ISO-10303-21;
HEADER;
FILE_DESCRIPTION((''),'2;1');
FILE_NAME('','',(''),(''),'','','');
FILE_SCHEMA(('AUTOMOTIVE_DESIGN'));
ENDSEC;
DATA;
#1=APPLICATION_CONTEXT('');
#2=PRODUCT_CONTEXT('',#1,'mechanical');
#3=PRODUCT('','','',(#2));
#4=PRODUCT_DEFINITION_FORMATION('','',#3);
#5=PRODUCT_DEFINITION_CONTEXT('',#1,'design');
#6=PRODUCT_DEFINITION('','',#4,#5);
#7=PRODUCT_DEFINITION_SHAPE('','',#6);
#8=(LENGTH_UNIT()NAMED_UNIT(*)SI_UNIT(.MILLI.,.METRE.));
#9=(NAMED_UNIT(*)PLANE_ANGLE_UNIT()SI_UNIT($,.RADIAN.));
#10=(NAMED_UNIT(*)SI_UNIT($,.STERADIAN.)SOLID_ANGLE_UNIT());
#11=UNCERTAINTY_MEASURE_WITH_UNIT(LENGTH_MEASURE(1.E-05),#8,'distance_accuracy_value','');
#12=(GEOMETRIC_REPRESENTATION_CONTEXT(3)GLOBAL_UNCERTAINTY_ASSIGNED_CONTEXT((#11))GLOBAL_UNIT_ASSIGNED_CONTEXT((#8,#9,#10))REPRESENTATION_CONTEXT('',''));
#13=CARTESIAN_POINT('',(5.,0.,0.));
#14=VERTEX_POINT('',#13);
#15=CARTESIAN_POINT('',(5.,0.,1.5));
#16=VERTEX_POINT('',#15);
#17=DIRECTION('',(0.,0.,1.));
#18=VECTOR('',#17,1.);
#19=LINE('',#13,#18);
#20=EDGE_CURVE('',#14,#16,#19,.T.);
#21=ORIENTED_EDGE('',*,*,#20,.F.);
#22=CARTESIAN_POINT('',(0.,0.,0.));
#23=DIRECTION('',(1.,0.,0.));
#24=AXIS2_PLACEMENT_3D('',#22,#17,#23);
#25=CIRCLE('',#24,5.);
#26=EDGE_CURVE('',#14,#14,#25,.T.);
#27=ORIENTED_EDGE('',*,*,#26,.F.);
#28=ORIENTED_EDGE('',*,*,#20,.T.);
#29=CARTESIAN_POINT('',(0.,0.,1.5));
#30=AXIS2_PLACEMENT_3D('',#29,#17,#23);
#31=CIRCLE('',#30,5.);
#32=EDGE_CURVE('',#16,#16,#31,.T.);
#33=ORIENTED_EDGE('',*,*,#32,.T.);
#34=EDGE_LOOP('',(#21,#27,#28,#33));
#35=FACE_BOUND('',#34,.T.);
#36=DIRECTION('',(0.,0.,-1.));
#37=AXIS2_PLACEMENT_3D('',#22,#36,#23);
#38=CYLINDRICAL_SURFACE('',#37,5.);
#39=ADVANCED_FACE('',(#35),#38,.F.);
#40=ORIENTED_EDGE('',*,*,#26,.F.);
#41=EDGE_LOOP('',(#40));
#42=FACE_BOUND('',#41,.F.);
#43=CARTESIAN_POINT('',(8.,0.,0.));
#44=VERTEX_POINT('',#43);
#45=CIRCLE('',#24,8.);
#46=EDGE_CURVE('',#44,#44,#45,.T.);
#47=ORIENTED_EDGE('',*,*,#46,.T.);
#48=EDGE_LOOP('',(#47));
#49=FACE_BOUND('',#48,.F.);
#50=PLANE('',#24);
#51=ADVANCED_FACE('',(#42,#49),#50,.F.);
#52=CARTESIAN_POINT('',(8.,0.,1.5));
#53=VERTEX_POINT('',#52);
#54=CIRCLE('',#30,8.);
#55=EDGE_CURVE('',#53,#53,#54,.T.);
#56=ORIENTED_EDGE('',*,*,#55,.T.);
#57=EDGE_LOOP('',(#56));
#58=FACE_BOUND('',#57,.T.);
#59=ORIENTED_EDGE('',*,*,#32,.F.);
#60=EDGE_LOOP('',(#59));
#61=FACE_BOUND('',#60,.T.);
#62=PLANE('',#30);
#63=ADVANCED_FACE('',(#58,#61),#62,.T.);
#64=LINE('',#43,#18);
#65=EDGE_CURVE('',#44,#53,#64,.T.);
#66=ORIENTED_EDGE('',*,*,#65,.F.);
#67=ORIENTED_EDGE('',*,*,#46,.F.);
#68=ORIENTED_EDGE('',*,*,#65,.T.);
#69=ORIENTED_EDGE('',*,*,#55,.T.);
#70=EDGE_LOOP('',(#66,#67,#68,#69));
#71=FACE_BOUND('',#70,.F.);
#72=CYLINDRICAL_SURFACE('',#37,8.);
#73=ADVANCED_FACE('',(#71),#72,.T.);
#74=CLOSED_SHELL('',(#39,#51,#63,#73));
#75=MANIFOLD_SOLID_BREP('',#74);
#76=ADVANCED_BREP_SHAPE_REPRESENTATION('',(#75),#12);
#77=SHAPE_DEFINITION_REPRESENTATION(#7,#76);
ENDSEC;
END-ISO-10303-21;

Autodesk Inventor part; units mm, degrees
ref_plane "YZ Plane" through (0, 0, 0) normal (1, 0, 0) x (0, 1, 0)
ref_plane "XZ Plane" through (0, 0, 0) normal (0, 1, 0) x (-1, 0, 0)
ref_plane "XY Plane" through (0, 0, 0) normal (0, 0, 1) x (1, 0, 0)
sketch "Sketch1" plane through (0, 0, 0) normal (0, 0, 1) x (1, 0, 0)
  circle A0 centre (0, 0) radius 5
  circle A1 centre (0, 0) radius 8
  dimension "d0" = 10
  dimension "d1" = 16
extrude "Extrusion1" add sketch "Sketch1" along normal blind 1.5
properties part number "washer10_16_1" material "Nylon 6/6"
